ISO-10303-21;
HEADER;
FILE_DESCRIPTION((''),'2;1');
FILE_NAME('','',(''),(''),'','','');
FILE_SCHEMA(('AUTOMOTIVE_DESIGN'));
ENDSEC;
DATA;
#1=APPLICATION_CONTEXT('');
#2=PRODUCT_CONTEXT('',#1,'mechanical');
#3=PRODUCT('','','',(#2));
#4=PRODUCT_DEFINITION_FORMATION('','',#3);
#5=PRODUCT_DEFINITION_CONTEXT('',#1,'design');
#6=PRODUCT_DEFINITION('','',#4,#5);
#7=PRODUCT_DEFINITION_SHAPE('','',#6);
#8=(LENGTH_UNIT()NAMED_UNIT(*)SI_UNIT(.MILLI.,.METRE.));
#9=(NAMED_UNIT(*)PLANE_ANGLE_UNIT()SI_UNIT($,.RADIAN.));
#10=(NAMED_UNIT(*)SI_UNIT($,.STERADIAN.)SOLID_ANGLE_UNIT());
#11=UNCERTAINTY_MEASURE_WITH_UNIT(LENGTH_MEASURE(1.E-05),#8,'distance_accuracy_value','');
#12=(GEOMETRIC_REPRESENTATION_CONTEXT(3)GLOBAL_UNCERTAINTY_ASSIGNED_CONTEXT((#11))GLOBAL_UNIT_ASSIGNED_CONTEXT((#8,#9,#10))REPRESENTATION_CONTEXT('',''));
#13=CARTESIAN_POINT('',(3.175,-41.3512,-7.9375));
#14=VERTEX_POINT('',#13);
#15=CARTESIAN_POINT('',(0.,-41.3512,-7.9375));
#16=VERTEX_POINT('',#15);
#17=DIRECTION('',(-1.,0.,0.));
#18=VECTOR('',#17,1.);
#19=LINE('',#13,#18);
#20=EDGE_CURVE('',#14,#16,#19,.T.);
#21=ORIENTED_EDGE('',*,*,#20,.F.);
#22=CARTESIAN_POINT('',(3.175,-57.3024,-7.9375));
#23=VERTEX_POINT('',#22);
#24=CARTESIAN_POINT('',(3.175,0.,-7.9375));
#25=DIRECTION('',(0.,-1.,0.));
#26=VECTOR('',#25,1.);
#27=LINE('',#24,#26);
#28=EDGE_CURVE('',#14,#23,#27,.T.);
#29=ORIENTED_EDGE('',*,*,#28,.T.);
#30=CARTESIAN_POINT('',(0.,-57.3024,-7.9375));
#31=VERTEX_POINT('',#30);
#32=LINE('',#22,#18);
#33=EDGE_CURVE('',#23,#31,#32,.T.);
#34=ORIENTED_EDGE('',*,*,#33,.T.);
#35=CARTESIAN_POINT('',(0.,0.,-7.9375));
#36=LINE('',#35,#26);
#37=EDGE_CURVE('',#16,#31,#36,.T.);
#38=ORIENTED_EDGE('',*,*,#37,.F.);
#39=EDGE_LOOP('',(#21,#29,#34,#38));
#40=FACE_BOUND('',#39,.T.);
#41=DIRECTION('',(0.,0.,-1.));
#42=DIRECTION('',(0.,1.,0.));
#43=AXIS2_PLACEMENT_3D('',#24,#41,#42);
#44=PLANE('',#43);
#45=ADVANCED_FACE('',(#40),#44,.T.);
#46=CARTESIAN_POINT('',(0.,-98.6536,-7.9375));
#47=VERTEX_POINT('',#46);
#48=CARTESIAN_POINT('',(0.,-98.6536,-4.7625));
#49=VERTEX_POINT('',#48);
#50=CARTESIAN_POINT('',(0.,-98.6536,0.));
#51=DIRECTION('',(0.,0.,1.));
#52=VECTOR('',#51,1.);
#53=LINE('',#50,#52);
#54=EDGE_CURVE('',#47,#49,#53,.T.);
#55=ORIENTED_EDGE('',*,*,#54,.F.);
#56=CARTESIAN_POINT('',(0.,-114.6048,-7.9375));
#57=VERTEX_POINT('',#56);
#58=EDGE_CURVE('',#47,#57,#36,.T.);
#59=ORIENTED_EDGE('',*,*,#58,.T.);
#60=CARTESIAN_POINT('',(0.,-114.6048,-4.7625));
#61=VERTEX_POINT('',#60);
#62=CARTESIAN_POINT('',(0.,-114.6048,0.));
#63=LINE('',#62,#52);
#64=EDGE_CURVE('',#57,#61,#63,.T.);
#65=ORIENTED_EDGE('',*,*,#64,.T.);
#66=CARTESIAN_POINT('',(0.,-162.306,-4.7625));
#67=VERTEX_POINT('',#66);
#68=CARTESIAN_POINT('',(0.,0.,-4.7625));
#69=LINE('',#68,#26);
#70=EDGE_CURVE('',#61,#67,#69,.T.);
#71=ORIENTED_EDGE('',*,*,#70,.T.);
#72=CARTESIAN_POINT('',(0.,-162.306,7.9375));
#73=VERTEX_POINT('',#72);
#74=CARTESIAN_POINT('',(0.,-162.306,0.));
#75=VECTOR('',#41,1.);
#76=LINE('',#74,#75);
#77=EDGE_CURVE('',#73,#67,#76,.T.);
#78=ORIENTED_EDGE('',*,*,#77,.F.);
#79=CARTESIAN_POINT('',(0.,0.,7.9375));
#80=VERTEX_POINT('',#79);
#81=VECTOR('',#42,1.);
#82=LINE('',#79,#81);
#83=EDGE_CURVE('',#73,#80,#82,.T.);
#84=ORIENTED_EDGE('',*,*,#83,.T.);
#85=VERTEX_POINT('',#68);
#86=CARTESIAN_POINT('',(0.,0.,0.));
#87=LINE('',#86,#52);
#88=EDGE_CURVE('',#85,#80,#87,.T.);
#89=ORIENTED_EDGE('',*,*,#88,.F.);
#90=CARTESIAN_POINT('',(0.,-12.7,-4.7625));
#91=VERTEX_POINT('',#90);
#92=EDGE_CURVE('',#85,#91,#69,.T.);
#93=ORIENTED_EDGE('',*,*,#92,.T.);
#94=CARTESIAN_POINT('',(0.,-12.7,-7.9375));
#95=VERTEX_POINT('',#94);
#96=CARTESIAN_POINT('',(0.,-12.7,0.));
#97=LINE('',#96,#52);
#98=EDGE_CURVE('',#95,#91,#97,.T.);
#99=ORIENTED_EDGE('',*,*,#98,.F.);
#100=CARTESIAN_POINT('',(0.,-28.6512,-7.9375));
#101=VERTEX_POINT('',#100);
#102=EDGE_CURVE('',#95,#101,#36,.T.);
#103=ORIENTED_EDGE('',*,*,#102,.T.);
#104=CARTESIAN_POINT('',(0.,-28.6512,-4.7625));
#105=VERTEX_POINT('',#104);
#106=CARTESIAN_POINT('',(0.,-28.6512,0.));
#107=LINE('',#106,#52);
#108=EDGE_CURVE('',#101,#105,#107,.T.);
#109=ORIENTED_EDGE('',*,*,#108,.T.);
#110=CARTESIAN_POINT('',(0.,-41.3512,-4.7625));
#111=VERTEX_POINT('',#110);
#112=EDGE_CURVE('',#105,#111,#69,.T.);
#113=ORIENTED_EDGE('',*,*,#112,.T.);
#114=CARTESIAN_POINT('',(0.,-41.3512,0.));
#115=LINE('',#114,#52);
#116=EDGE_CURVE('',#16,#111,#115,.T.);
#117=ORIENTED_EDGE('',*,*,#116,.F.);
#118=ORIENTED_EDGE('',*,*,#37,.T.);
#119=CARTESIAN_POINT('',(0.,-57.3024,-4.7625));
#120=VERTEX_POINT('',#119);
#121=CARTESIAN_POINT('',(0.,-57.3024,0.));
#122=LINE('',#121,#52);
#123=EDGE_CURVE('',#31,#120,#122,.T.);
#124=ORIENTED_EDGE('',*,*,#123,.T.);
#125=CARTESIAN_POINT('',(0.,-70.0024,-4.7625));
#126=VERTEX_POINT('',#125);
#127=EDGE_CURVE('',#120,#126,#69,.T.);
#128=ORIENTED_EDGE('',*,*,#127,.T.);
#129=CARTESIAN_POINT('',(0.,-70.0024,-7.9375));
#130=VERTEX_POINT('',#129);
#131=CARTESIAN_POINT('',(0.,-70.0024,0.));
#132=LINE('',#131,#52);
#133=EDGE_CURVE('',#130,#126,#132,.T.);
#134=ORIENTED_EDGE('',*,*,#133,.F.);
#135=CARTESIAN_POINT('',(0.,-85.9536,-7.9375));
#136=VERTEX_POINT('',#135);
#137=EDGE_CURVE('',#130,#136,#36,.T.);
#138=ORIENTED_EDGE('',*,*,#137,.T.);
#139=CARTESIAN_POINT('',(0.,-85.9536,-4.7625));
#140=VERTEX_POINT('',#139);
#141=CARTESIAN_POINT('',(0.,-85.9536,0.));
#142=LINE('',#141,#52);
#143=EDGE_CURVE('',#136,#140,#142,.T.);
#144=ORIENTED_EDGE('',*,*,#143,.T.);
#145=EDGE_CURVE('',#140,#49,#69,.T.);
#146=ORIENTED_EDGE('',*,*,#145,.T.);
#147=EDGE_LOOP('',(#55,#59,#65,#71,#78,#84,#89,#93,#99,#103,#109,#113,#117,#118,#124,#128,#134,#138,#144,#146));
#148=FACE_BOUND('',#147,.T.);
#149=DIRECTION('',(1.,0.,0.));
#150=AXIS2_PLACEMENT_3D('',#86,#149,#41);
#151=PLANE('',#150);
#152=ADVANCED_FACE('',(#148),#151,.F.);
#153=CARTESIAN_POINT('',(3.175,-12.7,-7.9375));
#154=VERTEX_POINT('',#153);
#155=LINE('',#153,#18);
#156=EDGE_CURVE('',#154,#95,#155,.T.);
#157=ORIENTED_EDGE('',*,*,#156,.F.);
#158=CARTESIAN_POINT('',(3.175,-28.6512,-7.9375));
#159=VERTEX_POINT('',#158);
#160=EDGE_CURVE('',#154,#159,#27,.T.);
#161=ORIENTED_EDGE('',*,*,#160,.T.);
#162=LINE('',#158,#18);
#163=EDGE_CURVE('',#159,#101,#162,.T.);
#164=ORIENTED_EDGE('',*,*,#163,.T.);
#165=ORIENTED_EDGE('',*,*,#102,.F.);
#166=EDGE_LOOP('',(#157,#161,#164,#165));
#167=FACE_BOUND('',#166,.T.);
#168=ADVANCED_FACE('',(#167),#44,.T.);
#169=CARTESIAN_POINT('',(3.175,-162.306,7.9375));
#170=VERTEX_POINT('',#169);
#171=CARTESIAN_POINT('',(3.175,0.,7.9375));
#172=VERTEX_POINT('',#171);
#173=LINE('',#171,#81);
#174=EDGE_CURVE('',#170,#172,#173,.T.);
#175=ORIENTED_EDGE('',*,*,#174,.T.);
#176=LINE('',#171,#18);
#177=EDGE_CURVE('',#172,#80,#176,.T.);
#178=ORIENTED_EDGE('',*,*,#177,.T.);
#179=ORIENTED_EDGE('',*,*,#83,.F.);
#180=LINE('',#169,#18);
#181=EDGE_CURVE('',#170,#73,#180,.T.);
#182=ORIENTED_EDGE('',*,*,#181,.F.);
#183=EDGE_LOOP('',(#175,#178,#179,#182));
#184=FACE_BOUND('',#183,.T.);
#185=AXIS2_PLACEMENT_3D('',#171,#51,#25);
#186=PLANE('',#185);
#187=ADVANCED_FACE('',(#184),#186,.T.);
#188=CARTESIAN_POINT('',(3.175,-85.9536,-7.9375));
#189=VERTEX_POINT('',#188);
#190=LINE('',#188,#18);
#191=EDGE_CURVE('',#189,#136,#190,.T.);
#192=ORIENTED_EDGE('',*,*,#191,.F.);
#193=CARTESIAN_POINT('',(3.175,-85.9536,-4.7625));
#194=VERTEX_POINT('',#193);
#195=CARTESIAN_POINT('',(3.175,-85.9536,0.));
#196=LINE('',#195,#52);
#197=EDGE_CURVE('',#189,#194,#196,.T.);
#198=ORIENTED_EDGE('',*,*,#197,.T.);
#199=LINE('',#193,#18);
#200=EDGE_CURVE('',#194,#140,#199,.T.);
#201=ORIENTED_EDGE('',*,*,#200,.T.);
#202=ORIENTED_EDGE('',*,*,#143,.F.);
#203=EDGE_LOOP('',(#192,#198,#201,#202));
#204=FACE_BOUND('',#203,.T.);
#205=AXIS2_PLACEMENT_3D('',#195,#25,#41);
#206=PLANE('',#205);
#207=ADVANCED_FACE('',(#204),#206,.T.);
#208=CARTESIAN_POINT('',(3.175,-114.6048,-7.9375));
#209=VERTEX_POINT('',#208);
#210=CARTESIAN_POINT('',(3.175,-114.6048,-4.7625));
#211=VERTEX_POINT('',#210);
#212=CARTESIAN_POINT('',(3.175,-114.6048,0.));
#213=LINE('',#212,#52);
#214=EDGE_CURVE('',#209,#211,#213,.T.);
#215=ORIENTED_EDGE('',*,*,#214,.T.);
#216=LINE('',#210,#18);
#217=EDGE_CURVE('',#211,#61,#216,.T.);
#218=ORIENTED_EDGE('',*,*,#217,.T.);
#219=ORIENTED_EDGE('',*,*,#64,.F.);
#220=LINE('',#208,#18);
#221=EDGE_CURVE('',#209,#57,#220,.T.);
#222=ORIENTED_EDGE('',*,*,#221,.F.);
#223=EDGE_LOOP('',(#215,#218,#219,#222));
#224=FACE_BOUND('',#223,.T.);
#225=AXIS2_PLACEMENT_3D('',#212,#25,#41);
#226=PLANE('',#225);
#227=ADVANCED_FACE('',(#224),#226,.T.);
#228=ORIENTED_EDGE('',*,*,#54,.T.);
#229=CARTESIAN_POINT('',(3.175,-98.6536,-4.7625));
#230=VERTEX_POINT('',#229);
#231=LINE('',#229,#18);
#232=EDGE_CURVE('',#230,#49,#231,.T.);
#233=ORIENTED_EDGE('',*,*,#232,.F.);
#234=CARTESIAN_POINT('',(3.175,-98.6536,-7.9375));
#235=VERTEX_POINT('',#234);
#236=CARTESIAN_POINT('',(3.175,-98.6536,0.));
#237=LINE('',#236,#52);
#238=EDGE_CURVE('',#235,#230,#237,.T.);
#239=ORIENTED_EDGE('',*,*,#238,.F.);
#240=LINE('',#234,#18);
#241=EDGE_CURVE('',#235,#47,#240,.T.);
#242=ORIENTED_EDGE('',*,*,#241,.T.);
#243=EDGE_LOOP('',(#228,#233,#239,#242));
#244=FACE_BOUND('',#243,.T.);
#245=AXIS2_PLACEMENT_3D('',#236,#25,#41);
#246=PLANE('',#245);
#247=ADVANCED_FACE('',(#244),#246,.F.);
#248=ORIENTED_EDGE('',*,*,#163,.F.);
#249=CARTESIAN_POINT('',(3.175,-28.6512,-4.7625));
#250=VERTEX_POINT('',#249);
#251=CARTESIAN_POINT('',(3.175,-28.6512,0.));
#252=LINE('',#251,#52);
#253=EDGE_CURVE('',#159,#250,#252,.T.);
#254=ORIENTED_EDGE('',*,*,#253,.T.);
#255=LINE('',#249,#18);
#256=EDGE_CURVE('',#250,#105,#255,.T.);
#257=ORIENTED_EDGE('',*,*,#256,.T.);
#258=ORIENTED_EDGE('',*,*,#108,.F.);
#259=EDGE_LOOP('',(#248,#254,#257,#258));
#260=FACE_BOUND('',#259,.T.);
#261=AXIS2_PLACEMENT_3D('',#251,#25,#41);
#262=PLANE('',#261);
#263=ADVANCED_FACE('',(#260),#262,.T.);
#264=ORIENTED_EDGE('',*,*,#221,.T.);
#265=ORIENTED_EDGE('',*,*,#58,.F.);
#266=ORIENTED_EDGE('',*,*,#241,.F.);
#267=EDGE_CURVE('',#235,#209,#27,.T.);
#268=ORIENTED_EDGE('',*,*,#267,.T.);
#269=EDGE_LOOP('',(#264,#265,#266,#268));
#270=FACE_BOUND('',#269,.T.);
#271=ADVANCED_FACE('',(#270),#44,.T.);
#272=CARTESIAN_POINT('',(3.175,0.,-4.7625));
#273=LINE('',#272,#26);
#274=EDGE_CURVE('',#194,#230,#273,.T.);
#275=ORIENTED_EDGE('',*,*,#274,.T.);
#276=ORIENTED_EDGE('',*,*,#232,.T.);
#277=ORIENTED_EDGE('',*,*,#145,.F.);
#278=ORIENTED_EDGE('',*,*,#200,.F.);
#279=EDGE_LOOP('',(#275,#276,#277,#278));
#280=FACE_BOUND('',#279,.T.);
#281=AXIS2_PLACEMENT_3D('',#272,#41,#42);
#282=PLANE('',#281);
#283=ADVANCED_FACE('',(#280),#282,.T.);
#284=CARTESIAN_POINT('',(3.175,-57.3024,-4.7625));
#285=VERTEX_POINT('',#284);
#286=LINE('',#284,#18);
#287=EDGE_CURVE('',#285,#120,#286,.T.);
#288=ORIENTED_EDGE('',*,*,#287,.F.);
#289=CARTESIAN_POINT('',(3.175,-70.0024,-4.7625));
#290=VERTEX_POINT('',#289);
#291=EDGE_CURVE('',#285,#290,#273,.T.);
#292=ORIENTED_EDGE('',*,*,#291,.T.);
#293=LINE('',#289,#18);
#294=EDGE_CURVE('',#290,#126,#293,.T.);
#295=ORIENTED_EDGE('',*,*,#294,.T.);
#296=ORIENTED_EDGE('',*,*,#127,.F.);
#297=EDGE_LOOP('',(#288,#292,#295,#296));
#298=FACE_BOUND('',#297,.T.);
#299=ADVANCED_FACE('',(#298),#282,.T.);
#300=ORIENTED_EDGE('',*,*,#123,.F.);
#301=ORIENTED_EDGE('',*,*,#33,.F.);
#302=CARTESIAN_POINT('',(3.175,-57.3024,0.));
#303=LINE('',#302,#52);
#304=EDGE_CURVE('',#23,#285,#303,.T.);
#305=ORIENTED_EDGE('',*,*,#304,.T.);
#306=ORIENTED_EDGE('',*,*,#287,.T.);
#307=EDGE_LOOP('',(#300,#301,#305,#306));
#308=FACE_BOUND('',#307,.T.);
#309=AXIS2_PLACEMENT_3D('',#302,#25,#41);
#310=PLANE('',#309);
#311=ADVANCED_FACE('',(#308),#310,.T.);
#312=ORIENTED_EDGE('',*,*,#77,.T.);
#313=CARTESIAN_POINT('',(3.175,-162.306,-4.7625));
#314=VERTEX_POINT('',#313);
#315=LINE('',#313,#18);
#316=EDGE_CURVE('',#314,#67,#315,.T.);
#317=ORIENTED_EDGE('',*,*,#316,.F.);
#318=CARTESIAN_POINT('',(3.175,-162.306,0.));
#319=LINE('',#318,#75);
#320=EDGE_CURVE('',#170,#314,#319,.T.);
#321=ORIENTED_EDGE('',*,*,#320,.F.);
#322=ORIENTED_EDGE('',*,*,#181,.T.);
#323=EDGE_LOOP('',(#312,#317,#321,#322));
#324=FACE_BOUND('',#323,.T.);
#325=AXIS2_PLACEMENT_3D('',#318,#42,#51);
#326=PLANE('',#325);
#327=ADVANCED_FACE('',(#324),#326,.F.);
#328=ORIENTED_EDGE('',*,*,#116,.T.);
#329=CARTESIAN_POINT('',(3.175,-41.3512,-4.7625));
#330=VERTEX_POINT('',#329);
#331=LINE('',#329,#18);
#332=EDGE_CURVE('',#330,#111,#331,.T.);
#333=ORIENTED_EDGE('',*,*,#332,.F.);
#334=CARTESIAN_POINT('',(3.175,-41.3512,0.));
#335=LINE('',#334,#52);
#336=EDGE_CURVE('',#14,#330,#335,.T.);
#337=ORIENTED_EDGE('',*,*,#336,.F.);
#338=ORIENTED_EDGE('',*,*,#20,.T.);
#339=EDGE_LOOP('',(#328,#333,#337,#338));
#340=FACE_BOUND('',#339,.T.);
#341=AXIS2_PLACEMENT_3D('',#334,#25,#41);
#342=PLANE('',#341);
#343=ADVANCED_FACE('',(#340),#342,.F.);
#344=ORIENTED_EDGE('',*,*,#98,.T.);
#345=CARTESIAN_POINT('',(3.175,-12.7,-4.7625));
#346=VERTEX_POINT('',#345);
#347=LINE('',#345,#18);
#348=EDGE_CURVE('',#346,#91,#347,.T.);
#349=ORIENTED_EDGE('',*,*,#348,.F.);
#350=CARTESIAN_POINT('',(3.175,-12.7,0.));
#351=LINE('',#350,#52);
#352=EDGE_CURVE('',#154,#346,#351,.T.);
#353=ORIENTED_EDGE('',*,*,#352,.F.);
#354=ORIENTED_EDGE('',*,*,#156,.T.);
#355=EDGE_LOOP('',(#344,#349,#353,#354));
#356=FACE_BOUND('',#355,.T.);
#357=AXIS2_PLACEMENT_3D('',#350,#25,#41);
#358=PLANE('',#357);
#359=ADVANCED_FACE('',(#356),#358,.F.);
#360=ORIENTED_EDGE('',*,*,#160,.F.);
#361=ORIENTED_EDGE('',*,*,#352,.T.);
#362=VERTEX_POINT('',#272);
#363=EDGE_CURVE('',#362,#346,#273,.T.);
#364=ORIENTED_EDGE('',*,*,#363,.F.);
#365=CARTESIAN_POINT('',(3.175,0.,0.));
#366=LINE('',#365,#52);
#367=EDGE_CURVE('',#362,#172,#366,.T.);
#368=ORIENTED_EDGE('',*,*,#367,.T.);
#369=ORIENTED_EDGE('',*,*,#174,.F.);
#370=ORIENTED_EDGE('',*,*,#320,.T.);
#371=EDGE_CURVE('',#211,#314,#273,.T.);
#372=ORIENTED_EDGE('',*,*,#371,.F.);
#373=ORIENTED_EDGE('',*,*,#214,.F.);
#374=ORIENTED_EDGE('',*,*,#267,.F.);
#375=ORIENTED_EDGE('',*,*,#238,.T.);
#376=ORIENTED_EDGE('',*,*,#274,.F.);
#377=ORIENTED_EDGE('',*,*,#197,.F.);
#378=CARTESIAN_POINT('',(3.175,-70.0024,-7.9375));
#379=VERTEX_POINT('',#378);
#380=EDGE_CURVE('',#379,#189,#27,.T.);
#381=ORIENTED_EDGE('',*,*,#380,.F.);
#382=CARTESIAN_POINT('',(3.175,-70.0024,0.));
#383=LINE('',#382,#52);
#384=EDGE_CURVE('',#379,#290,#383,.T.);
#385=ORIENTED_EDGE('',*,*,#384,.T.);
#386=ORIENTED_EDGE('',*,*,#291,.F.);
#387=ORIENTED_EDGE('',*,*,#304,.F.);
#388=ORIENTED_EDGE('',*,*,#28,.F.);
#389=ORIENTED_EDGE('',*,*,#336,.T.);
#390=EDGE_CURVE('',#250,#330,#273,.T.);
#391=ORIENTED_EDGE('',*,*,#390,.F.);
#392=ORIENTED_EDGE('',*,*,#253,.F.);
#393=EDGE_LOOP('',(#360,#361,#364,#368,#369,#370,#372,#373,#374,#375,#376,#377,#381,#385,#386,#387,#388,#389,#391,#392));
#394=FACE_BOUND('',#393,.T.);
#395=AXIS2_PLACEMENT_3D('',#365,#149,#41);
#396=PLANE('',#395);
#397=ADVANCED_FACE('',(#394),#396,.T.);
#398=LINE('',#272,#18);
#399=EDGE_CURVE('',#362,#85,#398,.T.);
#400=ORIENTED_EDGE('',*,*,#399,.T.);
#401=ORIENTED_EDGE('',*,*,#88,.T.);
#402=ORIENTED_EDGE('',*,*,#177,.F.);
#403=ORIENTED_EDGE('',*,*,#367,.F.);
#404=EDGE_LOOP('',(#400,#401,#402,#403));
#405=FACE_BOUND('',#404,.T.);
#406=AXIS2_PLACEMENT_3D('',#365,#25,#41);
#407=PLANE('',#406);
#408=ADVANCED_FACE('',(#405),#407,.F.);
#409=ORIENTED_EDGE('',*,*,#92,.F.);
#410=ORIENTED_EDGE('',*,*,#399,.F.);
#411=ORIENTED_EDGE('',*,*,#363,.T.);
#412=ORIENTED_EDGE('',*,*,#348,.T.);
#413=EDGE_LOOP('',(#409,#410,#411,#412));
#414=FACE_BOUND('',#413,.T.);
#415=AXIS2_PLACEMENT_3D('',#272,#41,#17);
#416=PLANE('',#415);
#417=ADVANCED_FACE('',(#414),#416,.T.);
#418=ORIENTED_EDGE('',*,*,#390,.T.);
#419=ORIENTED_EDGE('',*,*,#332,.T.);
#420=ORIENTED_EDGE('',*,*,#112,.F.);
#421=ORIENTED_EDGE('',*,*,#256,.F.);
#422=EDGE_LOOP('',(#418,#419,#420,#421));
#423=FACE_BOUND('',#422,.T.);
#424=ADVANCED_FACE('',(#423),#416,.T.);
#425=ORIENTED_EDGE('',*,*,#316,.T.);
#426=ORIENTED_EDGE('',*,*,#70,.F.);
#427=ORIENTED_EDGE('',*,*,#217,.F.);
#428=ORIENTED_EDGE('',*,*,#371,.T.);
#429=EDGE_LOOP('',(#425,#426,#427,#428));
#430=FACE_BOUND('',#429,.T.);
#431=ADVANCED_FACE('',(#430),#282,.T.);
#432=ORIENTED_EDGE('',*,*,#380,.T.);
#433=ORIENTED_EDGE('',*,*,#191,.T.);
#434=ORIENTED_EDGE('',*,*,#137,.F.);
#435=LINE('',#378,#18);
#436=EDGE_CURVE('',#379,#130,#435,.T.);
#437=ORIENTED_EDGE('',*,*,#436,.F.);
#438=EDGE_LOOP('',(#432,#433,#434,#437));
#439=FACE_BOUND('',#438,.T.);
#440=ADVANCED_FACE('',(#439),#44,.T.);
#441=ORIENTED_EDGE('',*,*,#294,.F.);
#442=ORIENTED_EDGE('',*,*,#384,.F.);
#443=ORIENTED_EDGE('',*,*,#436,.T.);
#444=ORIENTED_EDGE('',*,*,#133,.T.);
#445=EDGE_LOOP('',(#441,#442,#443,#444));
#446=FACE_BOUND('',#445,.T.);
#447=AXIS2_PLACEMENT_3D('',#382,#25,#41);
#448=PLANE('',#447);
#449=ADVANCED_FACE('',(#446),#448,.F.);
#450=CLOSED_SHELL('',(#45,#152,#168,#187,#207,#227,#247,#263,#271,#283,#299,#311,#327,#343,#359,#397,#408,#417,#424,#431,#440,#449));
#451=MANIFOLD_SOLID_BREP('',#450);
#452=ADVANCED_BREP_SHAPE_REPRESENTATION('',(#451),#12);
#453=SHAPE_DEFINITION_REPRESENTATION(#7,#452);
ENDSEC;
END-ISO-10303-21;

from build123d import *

# Parameters (mm, degrees)
BOSS_EXTRUDE1_DEPTH = 3.175


with BuildPart() as part:
    # Sketch1 → Boss-Extrude1 (new body)
    with BuildSketch(Plane(origin=(0, 0, 0), x_dir=(0, 0, -1), z_dir=(1, 0, 0))):
        Polygon((-7.9375, 0), (-7.9375, -162.306), (4.7625, -162.306), (4.7625, -155.956), (4.7625, -143.256), (4.7625, -127.3048), (4.7625, -114.6048), (7.9375, -114.6048), (7.9375, -98.6536), (4.7625, -98.6536), (4.7625, -85.9536), (7.9375, -85.9536), (7.9375, -70.0024), (4.7625, -70.0024), (4.7625, -57.3024), (7.9375, -57.3024), (7.9375, -41.3512), (4.7625, -41.3512), (4.7625, -28.6512), (7.9375, -28.6512), (7.9375, -12.7), (4.7625, -12.7), (4.7625, 0), align=None)
    extrude(amount=BOSS_EXTRUDE1_DEPTH)


solid = part.part
